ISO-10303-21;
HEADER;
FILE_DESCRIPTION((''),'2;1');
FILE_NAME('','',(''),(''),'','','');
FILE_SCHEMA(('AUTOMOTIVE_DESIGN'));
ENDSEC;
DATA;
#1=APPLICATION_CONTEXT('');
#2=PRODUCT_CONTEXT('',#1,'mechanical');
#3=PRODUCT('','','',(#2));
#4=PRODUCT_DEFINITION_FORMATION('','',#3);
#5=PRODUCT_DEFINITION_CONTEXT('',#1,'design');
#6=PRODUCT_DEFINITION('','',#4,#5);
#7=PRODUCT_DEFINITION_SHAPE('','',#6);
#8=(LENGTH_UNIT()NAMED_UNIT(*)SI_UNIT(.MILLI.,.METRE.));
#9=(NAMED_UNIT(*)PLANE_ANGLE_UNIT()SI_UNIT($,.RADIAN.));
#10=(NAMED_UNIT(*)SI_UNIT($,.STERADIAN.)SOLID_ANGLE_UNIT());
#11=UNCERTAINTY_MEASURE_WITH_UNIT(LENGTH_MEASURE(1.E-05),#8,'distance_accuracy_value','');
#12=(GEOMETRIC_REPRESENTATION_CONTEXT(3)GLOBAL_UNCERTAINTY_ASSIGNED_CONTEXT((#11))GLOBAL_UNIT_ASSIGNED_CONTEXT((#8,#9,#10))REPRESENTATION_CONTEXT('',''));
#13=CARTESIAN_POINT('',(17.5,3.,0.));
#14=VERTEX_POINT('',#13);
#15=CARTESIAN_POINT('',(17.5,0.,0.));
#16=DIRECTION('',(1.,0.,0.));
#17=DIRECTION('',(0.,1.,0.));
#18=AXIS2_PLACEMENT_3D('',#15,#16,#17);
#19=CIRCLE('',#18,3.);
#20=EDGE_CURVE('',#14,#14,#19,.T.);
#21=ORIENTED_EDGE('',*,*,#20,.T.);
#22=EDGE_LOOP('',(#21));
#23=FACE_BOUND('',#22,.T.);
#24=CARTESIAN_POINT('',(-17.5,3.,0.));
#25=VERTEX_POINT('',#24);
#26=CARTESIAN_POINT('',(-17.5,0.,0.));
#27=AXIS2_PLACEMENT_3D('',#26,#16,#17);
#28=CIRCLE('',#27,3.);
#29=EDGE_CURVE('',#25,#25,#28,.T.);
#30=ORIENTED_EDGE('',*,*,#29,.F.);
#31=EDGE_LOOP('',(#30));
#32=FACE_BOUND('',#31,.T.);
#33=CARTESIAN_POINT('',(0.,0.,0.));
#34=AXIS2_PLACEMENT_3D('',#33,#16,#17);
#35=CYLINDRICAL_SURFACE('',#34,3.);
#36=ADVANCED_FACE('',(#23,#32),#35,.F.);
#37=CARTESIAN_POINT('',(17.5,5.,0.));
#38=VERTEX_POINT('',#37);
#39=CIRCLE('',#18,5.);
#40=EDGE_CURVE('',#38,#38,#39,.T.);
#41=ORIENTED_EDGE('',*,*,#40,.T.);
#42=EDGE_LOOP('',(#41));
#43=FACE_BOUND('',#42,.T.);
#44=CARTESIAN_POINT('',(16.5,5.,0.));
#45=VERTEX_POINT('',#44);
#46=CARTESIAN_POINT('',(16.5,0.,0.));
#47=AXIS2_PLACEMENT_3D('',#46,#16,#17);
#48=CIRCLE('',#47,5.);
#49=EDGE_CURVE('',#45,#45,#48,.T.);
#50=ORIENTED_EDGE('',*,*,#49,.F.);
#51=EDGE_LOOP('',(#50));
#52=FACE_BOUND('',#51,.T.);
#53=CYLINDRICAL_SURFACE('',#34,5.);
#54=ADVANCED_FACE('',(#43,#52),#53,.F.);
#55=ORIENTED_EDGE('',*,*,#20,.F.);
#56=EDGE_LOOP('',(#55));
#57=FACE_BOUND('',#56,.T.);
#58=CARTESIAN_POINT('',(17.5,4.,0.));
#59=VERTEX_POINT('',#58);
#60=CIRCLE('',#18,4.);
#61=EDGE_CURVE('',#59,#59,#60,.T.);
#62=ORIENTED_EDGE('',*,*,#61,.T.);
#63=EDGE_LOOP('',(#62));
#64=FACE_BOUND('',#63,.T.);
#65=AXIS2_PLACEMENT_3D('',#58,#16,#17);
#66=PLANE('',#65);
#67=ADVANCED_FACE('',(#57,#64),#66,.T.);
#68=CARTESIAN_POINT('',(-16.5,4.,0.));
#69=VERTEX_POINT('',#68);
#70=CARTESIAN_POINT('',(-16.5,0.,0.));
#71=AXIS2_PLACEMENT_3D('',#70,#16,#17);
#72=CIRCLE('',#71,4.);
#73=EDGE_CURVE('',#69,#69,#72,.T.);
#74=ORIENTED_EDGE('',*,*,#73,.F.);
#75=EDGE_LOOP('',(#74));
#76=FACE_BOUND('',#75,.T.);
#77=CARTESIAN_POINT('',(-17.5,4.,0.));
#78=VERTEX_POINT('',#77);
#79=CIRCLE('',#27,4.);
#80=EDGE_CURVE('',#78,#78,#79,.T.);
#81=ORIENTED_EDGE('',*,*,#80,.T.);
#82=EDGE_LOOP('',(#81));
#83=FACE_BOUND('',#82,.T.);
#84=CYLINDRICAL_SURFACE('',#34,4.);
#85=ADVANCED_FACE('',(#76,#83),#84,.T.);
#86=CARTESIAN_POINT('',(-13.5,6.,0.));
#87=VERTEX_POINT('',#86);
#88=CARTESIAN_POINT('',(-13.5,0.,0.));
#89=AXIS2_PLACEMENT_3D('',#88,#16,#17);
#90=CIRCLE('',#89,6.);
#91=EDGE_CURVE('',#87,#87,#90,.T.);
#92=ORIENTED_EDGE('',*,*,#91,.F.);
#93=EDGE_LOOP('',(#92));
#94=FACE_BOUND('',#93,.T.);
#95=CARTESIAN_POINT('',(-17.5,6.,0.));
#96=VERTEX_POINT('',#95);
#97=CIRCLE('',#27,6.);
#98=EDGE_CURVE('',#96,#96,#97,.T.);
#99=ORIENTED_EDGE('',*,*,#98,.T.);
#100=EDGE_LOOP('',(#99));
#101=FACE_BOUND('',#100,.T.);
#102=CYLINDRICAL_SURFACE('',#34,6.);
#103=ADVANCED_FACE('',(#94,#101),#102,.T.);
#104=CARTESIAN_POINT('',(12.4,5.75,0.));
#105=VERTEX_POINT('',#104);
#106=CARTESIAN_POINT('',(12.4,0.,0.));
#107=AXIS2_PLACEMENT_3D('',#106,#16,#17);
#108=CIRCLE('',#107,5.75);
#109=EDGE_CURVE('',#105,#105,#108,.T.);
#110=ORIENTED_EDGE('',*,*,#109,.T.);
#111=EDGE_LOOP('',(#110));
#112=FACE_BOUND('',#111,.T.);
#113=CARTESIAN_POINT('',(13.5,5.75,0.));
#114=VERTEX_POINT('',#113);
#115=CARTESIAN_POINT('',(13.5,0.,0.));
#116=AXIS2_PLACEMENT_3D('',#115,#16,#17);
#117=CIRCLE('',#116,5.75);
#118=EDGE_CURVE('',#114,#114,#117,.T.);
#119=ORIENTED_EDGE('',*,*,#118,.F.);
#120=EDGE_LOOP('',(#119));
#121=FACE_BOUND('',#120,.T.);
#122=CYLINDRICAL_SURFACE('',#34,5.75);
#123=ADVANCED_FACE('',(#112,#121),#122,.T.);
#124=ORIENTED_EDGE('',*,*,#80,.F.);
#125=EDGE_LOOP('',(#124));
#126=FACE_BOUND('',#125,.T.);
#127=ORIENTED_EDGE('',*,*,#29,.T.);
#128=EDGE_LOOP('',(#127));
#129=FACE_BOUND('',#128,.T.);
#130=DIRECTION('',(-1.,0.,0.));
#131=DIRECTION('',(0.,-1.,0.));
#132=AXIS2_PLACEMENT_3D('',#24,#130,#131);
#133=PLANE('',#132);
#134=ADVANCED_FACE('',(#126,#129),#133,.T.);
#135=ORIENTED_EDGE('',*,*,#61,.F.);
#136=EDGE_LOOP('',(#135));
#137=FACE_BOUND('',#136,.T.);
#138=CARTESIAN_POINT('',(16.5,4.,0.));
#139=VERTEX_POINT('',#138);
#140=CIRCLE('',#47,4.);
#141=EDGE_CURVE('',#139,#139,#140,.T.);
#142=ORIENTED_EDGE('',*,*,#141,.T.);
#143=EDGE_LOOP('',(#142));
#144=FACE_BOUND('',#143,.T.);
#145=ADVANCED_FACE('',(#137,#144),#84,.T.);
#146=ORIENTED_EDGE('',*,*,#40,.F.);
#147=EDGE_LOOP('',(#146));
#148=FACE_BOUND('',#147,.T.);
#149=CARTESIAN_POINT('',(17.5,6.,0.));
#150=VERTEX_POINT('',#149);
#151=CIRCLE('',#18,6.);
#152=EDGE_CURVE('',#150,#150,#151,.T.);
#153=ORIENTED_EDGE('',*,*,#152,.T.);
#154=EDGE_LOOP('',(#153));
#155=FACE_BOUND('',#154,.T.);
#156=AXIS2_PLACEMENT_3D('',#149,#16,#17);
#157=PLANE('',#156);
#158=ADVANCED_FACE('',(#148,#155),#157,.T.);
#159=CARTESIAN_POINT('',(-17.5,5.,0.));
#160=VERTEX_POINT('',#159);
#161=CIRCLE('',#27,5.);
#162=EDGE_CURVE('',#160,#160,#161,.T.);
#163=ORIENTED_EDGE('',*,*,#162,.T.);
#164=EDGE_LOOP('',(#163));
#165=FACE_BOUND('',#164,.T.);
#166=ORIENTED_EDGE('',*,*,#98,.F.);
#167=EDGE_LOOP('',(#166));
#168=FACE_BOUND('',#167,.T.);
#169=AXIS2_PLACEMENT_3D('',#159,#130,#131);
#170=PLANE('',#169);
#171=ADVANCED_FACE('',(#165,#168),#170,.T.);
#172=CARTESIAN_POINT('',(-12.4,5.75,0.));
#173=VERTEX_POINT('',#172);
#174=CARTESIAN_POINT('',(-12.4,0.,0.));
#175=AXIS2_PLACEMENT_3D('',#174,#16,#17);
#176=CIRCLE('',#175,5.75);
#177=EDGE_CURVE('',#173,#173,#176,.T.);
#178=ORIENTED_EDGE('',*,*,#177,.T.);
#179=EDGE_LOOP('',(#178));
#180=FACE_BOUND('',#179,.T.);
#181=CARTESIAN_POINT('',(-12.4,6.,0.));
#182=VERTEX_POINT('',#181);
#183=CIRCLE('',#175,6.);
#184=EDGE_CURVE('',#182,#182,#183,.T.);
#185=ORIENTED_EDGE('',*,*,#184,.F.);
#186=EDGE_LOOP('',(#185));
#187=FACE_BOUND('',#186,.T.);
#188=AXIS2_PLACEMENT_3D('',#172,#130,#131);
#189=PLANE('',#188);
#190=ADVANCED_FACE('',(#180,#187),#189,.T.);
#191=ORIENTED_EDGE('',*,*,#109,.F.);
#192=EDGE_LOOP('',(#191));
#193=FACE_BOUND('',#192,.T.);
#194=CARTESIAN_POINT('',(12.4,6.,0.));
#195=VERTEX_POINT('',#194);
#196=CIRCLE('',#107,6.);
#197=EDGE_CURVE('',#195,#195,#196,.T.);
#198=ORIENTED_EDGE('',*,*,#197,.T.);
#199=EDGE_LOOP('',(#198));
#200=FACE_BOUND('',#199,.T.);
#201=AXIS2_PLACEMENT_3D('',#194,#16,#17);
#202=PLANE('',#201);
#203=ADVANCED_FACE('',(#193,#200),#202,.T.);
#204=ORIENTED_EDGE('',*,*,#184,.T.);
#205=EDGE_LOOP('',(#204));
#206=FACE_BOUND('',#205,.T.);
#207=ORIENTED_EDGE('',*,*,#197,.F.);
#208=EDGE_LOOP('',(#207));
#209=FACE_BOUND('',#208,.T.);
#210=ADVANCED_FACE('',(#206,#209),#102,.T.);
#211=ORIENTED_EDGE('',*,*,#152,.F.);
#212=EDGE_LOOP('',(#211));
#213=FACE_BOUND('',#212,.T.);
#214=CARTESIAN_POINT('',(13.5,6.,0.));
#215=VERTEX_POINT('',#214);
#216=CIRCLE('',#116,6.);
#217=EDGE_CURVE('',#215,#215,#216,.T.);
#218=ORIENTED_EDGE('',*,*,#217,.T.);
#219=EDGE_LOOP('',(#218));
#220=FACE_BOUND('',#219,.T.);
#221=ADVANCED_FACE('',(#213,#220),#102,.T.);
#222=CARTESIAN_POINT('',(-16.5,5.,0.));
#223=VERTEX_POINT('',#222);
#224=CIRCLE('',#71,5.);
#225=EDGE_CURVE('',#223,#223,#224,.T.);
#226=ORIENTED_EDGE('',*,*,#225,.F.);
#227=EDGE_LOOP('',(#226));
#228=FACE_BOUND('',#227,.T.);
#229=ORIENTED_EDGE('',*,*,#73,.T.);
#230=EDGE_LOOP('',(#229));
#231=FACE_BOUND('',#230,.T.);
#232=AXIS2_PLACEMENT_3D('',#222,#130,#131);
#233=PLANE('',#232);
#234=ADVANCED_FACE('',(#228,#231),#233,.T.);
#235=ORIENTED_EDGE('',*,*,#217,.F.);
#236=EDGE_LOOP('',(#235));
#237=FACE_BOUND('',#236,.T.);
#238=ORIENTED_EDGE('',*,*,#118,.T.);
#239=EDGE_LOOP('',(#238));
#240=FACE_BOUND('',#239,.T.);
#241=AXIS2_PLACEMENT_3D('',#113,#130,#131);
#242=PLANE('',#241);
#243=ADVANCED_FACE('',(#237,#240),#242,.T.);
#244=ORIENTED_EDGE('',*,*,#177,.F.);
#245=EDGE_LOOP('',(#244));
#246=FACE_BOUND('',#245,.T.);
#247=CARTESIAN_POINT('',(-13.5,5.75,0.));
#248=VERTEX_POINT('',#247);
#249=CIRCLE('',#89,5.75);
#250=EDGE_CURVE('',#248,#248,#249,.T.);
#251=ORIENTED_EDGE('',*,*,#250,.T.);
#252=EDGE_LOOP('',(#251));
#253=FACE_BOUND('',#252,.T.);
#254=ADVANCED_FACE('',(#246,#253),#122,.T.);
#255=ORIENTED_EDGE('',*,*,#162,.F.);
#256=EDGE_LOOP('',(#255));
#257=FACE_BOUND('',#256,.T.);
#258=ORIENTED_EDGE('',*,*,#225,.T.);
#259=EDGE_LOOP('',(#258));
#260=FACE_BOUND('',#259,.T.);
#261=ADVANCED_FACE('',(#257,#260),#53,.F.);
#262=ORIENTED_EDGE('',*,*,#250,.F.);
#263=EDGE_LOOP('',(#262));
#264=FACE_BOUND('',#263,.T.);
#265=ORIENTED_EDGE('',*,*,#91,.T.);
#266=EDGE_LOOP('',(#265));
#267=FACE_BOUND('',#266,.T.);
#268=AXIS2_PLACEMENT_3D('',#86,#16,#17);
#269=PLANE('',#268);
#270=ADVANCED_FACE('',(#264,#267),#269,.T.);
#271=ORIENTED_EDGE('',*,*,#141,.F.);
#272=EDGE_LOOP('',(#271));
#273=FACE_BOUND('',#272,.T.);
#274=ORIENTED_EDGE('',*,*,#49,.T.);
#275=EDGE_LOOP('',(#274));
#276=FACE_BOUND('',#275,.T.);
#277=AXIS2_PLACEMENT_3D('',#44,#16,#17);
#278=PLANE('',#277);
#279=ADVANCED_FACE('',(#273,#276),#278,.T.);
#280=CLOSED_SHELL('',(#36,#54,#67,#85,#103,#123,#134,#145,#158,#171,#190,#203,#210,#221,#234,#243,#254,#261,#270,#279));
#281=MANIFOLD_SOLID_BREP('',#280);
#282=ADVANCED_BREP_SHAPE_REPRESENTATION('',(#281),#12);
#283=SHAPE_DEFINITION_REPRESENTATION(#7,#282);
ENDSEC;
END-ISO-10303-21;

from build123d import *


with BuildPart() as part:
    # Esboço1 → Revolução1 (revolve)
    with BuildSketch(Plane.XY):
        Polygon((-17.5, 6), (-13.5, 6), (-13.5, 5.75), (-12.4, 5.75), (-12.4, 6), (12.4, 6), (12.4, 5.75), (13.5, 5.75), (13.5, 6), (17.5, 6), (17.5, 5), (16.5, 5), (16.5, 4), (17.5, 4), (17.5, 3), (-17.5, 3), (-17.5, 4), (-16.5, 4), (-16.5, 5), (-17.5, 5), align=None)
    revolve(axis=Axis((0, 0, 0), (-1, 0, 0)))


solid = part.part
